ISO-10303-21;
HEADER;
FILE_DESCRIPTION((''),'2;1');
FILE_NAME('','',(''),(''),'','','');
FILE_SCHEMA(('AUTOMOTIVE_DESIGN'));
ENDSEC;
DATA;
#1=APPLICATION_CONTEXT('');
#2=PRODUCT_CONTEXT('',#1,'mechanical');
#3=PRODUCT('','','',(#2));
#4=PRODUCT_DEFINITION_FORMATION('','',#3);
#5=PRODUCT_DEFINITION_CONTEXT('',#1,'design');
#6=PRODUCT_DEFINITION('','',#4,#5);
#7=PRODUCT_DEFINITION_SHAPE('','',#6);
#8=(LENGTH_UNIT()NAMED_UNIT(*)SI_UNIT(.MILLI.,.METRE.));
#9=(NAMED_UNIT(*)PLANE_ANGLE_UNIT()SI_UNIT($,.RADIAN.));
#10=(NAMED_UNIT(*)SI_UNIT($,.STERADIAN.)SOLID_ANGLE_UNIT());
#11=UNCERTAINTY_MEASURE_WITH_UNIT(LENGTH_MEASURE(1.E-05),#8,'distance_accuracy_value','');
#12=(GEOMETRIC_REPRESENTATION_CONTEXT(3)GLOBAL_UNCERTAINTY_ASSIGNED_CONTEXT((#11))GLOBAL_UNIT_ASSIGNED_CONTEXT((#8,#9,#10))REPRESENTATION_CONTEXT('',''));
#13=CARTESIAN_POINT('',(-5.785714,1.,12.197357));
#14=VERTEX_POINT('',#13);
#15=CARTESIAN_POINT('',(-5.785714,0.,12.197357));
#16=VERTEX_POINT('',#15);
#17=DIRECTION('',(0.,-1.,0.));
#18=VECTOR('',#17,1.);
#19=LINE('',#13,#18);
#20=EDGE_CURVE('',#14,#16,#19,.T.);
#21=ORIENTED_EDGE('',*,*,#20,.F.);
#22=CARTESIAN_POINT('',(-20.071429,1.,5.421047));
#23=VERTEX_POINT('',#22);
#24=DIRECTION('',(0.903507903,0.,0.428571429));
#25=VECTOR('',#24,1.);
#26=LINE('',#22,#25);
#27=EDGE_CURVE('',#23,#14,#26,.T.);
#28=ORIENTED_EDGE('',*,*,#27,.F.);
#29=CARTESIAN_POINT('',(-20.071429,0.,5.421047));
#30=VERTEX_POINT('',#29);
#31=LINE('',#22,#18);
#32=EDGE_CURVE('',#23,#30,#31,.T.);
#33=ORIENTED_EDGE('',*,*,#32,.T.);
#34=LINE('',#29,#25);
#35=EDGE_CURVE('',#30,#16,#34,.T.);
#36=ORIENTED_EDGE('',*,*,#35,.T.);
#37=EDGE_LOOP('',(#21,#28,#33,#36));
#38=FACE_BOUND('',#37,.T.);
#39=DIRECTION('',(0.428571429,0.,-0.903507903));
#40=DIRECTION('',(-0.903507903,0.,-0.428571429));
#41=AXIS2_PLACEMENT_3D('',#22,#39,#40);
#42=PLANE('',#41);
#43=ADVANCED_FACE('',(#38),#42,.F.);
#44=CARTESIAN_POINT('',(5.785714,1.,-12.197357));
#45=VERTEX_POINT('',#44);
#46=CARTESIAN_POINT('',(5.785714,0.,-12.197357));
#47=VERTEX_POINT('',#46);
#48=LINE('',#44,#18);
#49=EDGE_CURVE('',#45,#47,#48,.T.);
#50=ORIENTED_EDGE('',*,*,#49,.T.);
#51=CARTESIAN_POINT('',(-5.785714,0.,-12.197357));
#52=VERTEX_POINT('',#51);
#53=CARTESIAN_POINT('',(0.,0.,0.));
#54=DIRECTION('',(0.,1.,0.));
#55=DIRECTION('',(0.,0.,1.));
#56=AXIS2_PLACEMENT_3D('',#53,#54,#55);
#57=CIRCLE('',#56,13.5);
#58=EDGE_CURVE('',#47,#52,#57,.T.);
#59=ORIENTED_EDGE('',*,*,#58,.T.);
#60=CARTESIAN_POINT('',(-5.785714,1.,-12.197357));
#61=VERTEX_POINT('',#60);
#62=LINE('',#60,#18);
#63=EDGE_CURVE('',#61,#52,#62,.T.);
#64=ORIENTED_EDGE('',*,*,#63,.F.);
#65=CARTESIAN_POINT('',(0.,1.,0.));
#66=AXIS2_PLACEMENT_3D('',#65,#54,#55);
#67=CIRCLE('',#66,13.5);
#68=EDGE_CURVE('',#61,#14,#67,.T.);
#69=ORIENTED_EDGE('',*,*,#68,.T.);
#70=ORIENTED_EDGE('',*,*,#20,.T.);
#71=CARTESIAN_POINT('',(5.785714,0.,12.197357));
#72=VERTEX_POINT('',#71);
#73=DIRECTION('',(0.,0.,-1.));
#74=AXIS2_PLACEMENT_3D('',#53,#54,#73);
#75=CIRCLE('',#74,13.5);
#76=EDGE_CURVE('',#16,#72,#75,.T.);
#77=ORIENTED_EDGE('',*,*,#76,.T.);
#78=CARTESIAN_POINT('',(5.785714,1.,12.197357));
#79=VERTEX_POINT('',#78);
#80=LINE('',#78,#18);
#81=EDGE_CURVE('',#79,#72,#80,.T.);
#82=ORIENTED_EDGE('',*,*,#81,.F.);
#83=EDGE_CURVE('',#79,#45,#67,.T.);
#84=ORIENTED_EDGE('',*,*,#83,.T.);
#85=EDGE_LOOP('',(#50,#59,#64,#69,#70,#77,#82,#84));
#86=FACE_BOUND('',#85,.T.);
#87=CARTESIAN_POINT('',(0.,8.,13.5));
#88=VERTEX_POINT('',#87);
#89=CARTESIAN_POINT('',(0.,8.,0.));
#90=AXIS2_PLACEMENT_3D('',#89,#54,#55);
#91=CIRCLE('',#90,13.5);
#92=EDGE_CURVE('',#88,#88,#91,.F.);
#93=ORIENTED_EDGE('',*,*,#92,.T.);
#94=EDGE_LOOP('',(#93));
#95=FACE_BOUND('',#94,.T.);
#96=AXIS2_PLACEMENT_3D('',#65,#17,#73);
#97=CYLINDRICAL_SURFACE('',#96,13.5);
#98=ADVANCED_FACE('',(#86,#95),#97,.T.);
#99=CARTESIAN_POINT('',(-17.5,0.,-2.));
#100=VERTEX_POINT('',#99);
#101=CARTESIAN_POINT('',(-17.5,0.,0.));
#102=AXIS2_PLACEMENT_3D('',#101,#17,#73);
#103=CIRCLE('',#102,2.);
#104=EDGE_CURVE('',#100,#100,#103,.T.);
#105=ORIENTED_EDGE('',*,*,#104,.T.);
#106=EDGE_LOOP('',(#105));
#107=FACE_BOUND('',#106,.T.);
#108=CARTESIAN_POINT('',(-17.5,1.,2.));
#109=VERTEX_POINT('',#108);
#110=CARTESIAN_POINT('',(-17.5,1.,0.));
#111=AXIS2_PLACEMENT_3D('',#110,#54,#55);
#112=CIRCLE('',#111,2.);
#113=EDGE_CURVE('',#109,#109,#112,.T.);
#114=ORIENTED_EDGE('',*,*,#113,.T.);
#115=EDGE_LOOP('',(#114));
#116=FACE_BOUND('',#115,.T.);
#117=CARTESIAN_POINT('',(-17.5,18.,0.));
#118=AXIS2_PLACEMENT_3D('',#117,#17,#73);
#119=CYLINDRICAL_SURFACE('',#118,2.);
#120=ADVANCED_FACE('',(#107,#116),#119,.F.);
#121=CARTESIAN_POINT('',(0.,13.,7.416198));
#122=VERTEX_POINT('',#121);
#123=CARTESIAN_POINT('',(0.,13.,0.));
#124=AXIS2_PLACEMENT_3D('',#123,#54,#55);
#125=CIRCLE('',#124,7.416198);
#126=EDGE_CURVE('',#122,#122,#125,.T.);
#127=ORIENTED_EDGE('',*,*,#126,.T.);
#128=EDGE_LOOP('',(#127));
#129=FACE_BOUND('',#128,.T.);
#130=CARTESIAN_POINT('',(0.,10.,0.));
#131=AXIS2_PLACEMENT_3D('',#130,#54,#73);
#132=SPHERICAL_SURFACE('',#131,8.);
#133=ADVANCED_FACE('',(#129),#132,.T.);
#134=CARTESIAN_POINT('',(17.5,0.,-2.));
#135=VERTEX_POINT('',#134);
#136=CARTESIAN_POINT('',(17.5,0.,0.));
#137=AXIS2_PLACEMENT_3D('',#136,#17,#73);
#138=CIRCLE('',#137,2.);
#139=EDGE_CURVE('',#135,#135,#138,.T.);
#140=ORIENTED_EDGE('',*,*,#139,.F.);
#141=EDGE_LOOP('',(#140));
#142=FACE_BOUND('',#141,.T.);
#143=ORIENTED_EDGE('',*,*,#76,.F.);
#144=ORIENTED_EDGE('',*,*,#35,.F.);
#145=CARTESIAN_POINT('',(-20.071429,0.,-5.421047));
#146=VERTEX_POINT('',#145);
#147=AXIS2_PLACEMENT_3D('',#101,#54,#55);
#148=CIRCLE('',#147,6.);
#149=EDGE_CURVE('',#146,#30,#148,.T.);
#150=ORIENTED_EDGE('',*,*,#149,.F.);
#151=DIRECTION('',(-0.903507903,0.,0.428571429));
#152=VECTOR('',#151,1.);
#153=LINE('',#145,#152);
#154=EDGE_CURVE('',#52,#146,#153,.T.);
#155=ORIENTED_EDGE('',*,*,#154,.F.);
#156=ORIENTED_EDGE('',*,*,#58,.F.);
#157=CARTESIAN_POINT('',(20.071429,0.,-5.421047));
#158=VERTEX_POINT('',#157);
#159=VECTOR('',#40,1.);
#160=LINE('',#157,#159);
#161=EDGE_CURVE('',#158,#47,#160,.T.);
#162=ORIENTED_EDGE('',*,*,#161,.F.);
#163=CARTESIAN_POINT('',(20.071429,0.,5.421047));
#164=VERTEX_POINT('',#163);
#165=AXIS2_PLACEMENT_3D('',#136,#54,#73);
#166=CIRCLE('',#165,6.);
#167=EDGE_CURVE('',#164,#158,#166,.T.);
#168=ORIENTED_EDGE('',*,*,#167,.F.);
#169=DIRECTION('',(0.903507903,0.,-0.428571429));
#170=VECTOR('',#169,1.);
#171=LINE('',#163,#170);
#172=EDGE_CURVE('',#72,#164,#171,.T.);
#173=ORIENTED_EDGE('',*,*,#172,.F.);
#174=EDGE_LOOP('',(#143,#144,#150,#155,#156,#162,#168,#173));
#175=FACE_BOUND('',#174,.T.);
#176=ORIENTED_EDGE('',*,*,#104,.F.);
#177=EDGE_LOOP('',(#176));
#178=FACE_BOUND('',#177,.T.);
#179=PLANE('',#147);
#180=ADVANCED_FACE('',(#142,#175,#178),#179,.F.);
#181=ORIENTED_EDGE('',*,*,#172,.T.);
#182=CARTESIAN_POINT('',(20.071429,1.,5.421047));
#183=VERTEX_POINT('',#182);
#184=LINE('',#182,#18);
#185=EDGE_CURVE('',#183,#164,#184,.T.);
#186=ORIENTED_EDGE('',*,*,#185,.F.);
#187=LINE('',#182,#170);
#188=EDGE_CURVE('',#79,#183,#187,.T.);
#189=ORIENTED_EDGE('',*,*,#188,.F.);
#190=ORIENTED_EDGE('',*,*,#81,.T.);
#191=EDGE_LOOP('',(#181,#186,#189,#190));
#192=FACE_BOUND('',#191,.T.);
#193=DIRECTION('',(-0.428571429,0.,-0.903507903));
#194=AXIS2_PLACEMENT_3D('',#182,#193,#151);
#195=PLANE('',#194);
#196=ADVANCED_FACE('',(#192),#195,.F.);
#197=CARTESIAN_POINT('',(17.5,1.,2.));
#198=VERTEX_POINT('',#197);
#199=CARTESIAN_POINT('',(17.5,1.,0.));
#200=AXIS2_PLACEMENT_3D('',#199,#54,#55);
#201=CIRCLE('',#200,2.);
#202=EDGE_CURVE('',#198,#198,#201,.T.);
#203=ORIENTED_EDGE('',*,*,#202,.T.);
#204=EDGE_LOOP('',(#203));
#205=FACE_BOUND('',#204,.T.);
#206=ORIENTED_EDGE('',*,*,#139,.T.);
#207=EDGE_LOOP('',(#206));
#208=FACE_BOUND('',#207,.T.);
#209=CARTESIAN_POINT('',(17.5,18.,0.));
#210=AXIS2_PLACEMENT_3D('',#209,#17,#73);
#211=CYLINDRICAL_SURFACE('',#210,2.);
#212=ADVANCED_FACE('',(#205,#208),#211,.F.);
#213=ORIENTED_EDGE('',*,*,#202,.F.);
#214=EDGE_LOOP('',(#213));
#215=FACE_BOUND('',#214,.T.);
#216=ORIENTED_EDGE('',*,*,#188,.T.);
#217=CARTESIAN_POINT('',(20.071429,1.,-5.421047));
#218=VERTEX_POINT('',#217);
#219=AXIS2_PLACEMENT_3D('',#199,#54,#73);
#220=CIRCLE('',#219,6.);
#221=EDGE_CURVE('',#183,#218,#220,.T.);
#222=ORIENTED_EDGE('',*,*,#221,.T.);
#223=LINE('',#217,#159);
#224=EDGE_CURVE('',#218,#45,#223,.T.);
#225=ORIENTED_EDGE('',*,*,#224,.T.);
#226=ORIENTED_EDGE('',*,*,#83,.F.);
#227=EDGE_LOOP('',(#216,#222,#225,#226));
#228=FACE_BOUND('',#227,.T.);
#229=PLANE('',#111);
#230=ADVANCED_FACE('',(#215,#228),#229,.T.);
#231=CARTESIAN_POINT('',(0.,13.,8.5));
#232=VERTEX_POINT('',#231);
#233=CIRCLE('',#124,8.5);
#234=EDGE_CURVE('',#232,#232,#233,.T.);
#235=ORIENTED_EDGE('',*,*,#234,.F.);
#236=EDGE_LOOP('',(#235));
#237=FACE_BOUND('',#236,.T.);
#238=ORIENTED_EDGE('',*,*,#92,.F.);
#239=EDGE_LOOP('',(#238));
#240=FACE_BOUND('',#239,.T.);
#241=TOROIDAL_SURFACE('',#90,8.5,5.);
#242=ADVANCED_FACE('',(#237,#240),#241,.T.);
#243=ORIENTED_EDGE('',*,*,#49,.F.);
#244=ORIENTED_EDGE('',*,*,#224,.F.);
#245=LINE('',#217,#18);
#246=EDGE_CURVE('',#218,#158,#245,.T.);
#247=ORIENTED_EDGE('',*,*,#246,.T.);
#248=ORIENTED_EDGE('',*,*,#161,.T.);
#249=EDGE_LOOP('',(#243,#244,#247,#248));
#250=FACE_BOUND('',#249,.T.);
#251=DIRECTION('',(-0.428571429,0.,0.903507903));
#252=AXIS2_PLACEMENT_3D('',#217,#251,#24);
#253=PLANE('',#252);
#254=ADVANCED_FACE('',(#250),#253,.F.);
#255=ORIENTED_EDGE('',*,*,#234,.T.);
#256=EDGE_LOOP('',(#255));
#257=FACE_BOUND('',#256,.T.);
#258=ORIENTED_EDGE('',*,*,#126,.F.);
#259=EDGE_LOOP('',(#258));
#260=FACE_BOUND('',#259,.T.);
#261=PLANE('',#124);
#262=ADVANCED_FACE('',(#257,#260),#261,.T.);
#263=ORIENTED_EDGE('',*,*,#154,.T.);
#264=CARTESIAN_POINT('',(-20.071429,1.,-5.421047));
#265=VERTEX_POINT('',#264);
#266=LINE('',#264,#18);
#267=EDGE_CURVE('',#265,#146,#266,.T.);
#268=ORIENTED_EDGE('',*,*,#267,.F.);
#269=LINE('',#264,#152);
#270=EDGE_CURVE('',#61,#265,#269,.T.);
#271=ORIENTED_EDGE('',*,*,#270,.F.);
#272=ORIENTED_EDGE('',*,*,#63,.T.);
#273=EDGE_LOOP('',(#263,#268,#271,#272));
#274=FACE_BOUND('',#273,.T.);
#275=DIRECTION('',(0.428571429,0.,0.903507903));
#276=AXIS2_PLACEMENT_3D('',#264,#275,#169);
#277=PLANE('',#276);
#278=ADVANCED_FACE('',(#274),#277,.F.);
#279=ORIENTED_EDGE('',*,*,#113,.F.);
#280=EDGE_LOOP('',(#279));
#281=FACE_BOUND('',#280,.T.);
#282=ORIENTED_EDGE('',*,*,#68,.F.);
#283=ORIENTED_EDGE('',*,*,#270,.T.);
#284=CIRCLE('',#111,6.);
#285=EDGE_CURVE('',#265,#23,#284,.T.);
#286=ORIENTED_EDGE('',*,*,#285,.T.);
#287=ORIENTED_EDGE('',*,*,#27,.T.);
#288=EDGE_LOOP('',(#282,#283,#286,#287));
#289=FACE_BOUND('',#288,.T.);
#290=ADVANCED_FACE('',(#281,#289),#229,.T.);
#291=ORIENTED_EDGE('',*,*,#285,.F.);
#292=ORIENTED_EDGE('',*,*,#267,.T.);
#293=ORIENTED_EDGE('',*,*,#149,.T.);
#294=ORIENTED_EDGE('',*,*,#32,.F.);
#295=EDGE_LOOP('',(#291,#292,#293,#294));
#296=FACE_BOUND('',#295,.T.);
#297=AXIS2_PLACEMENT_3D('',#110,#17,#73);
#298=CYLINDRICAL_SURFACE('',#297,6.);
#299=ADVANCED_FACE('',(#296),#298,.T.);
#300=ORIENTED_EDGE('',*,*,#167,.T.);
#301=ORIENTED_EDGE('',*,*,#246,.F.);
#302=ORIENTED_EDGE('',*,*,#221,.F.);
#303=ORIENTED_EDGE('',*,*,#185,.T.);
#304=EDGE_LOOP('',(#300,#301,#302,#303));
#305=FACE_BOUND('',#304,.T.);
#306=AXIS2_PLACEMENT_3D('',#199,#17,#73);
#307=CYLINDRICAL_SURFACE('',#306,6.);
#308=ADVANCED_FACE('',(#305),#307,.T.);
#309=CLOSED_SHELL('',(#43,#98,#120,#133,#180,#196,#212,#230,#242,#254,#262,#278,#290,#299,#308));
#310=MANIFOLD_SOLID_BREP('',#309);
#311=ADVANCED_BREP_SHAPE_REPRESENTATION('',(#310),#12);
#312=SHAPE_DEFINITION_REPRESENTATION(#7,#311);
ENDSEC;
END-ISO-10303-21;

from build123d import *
from build123d.topology import SkipClean

# Parameters (mm, degrees)
EXTRUDE_1_DEPTH     = 1
SKETCH_2_R          = 13.5
EXTRUDE_2_DEPTH     = 12
FILLET_1_R          = 5
SKETCH_5_R          = 2
CUT_EXTRUDE_1_DEPTH = 33.53459697


with BuildPart() as part:
    # 草图1 → 凸台-拉伸1 (new body)
    with BuildSketch(Plane(origin=(0, 0, 0), x_dir=(1, 0, 0), z_dir=(0, 1, 0))):
        with BuildLine():
            Line((-20.071428571, 5.421047417), (-5.785714286, 12.197356689))
            ThreePointArc((-5.785714286, 12.197356689), (0, 13.5), (5.785714286, 12.197356689))
            Line((5.785714286, 12.197356689), (20.071428571, 5.421047417))
            ThreePointArc((20.071428571, 5.421047417), (23.5, 0), (20.071428571, -5.421047417))
            Line((20.071428571, -5.421047417), (5.785714286, -12.197356689))
            ThreePointArc((5.785714286, -12.197356689), (0, -13.5), (-5.785714286, -12.197356689))
            Line((-5.785714286, -12.197356689), (-20.071428571, -5.421047417))
            ThreePointArc((-20.071428571, -5.421047417), (-23.5, 0), (-20.071428571, 5.421047417))
        make_face()
    extrude(amount=EXTRUDE_1_DEPTH)

    # 草图2 → 凸台-拉伸2 (add)
    with SkipClean():  # the faces are left unmerged after this step: merging them gives an invalid solid
        with BuildSketch(Plane(origin=(0, 1, 0), x_dir=(1, 0, 0), z_dir=(0, 1, 0))):
            with Locations(Location((0, 0, 0), (0, 0, 115.376933525))):
                Circle(SKETCH_2_R)
        extrude(amount=EXTRUDE_2_DEPTH)

    # 草图4 → 旋转1 (revolve)
    with SkipClean():  # the faces are left unmerged after this step: merging them gives an invalid solid
        with BuildSketch(Plane(origin=(0, 0, 0), x_dir=(0, 0, -1), z_dir=(1, 0, 0))):
            with BuildLine():
                Line((0, 18), (0, 2))
                ThreePointArc((0, 2), (-8, 10), (0, 18))
            make_face()
        revolve(axis=Axis((0, 18, 0), (0, -1, 0)))

    # 圆角1
    fillet_1_edges = [part.edges().sort_by_distance(p)[0] for p in [
        (5.785714286, 13, 12.197356689),
    ]]
    fillet(fillet_1_edges, radius=FILLET_1_R)

    # 草图5 → 切除-拉伸1 (cut, through all)
    with SkipClean():  # the faces are left unmerged after this step: merging them gives an invalid solid
        with BuildSketch(Plane.XZ):
            with Locations(Location((-17.5, 0, 0), (0, 0, 270))):
                Circle(SKETCH_5_R)
            with Locations(Location((17.5, 0, 0), (0, 0, 270))):
                Circle(SKETCH_5_R)
        extrude(amount=-CUT_EXTRUDE_1_DEPTH, mode=Mode.SUBTRACT)


solid = part.part
